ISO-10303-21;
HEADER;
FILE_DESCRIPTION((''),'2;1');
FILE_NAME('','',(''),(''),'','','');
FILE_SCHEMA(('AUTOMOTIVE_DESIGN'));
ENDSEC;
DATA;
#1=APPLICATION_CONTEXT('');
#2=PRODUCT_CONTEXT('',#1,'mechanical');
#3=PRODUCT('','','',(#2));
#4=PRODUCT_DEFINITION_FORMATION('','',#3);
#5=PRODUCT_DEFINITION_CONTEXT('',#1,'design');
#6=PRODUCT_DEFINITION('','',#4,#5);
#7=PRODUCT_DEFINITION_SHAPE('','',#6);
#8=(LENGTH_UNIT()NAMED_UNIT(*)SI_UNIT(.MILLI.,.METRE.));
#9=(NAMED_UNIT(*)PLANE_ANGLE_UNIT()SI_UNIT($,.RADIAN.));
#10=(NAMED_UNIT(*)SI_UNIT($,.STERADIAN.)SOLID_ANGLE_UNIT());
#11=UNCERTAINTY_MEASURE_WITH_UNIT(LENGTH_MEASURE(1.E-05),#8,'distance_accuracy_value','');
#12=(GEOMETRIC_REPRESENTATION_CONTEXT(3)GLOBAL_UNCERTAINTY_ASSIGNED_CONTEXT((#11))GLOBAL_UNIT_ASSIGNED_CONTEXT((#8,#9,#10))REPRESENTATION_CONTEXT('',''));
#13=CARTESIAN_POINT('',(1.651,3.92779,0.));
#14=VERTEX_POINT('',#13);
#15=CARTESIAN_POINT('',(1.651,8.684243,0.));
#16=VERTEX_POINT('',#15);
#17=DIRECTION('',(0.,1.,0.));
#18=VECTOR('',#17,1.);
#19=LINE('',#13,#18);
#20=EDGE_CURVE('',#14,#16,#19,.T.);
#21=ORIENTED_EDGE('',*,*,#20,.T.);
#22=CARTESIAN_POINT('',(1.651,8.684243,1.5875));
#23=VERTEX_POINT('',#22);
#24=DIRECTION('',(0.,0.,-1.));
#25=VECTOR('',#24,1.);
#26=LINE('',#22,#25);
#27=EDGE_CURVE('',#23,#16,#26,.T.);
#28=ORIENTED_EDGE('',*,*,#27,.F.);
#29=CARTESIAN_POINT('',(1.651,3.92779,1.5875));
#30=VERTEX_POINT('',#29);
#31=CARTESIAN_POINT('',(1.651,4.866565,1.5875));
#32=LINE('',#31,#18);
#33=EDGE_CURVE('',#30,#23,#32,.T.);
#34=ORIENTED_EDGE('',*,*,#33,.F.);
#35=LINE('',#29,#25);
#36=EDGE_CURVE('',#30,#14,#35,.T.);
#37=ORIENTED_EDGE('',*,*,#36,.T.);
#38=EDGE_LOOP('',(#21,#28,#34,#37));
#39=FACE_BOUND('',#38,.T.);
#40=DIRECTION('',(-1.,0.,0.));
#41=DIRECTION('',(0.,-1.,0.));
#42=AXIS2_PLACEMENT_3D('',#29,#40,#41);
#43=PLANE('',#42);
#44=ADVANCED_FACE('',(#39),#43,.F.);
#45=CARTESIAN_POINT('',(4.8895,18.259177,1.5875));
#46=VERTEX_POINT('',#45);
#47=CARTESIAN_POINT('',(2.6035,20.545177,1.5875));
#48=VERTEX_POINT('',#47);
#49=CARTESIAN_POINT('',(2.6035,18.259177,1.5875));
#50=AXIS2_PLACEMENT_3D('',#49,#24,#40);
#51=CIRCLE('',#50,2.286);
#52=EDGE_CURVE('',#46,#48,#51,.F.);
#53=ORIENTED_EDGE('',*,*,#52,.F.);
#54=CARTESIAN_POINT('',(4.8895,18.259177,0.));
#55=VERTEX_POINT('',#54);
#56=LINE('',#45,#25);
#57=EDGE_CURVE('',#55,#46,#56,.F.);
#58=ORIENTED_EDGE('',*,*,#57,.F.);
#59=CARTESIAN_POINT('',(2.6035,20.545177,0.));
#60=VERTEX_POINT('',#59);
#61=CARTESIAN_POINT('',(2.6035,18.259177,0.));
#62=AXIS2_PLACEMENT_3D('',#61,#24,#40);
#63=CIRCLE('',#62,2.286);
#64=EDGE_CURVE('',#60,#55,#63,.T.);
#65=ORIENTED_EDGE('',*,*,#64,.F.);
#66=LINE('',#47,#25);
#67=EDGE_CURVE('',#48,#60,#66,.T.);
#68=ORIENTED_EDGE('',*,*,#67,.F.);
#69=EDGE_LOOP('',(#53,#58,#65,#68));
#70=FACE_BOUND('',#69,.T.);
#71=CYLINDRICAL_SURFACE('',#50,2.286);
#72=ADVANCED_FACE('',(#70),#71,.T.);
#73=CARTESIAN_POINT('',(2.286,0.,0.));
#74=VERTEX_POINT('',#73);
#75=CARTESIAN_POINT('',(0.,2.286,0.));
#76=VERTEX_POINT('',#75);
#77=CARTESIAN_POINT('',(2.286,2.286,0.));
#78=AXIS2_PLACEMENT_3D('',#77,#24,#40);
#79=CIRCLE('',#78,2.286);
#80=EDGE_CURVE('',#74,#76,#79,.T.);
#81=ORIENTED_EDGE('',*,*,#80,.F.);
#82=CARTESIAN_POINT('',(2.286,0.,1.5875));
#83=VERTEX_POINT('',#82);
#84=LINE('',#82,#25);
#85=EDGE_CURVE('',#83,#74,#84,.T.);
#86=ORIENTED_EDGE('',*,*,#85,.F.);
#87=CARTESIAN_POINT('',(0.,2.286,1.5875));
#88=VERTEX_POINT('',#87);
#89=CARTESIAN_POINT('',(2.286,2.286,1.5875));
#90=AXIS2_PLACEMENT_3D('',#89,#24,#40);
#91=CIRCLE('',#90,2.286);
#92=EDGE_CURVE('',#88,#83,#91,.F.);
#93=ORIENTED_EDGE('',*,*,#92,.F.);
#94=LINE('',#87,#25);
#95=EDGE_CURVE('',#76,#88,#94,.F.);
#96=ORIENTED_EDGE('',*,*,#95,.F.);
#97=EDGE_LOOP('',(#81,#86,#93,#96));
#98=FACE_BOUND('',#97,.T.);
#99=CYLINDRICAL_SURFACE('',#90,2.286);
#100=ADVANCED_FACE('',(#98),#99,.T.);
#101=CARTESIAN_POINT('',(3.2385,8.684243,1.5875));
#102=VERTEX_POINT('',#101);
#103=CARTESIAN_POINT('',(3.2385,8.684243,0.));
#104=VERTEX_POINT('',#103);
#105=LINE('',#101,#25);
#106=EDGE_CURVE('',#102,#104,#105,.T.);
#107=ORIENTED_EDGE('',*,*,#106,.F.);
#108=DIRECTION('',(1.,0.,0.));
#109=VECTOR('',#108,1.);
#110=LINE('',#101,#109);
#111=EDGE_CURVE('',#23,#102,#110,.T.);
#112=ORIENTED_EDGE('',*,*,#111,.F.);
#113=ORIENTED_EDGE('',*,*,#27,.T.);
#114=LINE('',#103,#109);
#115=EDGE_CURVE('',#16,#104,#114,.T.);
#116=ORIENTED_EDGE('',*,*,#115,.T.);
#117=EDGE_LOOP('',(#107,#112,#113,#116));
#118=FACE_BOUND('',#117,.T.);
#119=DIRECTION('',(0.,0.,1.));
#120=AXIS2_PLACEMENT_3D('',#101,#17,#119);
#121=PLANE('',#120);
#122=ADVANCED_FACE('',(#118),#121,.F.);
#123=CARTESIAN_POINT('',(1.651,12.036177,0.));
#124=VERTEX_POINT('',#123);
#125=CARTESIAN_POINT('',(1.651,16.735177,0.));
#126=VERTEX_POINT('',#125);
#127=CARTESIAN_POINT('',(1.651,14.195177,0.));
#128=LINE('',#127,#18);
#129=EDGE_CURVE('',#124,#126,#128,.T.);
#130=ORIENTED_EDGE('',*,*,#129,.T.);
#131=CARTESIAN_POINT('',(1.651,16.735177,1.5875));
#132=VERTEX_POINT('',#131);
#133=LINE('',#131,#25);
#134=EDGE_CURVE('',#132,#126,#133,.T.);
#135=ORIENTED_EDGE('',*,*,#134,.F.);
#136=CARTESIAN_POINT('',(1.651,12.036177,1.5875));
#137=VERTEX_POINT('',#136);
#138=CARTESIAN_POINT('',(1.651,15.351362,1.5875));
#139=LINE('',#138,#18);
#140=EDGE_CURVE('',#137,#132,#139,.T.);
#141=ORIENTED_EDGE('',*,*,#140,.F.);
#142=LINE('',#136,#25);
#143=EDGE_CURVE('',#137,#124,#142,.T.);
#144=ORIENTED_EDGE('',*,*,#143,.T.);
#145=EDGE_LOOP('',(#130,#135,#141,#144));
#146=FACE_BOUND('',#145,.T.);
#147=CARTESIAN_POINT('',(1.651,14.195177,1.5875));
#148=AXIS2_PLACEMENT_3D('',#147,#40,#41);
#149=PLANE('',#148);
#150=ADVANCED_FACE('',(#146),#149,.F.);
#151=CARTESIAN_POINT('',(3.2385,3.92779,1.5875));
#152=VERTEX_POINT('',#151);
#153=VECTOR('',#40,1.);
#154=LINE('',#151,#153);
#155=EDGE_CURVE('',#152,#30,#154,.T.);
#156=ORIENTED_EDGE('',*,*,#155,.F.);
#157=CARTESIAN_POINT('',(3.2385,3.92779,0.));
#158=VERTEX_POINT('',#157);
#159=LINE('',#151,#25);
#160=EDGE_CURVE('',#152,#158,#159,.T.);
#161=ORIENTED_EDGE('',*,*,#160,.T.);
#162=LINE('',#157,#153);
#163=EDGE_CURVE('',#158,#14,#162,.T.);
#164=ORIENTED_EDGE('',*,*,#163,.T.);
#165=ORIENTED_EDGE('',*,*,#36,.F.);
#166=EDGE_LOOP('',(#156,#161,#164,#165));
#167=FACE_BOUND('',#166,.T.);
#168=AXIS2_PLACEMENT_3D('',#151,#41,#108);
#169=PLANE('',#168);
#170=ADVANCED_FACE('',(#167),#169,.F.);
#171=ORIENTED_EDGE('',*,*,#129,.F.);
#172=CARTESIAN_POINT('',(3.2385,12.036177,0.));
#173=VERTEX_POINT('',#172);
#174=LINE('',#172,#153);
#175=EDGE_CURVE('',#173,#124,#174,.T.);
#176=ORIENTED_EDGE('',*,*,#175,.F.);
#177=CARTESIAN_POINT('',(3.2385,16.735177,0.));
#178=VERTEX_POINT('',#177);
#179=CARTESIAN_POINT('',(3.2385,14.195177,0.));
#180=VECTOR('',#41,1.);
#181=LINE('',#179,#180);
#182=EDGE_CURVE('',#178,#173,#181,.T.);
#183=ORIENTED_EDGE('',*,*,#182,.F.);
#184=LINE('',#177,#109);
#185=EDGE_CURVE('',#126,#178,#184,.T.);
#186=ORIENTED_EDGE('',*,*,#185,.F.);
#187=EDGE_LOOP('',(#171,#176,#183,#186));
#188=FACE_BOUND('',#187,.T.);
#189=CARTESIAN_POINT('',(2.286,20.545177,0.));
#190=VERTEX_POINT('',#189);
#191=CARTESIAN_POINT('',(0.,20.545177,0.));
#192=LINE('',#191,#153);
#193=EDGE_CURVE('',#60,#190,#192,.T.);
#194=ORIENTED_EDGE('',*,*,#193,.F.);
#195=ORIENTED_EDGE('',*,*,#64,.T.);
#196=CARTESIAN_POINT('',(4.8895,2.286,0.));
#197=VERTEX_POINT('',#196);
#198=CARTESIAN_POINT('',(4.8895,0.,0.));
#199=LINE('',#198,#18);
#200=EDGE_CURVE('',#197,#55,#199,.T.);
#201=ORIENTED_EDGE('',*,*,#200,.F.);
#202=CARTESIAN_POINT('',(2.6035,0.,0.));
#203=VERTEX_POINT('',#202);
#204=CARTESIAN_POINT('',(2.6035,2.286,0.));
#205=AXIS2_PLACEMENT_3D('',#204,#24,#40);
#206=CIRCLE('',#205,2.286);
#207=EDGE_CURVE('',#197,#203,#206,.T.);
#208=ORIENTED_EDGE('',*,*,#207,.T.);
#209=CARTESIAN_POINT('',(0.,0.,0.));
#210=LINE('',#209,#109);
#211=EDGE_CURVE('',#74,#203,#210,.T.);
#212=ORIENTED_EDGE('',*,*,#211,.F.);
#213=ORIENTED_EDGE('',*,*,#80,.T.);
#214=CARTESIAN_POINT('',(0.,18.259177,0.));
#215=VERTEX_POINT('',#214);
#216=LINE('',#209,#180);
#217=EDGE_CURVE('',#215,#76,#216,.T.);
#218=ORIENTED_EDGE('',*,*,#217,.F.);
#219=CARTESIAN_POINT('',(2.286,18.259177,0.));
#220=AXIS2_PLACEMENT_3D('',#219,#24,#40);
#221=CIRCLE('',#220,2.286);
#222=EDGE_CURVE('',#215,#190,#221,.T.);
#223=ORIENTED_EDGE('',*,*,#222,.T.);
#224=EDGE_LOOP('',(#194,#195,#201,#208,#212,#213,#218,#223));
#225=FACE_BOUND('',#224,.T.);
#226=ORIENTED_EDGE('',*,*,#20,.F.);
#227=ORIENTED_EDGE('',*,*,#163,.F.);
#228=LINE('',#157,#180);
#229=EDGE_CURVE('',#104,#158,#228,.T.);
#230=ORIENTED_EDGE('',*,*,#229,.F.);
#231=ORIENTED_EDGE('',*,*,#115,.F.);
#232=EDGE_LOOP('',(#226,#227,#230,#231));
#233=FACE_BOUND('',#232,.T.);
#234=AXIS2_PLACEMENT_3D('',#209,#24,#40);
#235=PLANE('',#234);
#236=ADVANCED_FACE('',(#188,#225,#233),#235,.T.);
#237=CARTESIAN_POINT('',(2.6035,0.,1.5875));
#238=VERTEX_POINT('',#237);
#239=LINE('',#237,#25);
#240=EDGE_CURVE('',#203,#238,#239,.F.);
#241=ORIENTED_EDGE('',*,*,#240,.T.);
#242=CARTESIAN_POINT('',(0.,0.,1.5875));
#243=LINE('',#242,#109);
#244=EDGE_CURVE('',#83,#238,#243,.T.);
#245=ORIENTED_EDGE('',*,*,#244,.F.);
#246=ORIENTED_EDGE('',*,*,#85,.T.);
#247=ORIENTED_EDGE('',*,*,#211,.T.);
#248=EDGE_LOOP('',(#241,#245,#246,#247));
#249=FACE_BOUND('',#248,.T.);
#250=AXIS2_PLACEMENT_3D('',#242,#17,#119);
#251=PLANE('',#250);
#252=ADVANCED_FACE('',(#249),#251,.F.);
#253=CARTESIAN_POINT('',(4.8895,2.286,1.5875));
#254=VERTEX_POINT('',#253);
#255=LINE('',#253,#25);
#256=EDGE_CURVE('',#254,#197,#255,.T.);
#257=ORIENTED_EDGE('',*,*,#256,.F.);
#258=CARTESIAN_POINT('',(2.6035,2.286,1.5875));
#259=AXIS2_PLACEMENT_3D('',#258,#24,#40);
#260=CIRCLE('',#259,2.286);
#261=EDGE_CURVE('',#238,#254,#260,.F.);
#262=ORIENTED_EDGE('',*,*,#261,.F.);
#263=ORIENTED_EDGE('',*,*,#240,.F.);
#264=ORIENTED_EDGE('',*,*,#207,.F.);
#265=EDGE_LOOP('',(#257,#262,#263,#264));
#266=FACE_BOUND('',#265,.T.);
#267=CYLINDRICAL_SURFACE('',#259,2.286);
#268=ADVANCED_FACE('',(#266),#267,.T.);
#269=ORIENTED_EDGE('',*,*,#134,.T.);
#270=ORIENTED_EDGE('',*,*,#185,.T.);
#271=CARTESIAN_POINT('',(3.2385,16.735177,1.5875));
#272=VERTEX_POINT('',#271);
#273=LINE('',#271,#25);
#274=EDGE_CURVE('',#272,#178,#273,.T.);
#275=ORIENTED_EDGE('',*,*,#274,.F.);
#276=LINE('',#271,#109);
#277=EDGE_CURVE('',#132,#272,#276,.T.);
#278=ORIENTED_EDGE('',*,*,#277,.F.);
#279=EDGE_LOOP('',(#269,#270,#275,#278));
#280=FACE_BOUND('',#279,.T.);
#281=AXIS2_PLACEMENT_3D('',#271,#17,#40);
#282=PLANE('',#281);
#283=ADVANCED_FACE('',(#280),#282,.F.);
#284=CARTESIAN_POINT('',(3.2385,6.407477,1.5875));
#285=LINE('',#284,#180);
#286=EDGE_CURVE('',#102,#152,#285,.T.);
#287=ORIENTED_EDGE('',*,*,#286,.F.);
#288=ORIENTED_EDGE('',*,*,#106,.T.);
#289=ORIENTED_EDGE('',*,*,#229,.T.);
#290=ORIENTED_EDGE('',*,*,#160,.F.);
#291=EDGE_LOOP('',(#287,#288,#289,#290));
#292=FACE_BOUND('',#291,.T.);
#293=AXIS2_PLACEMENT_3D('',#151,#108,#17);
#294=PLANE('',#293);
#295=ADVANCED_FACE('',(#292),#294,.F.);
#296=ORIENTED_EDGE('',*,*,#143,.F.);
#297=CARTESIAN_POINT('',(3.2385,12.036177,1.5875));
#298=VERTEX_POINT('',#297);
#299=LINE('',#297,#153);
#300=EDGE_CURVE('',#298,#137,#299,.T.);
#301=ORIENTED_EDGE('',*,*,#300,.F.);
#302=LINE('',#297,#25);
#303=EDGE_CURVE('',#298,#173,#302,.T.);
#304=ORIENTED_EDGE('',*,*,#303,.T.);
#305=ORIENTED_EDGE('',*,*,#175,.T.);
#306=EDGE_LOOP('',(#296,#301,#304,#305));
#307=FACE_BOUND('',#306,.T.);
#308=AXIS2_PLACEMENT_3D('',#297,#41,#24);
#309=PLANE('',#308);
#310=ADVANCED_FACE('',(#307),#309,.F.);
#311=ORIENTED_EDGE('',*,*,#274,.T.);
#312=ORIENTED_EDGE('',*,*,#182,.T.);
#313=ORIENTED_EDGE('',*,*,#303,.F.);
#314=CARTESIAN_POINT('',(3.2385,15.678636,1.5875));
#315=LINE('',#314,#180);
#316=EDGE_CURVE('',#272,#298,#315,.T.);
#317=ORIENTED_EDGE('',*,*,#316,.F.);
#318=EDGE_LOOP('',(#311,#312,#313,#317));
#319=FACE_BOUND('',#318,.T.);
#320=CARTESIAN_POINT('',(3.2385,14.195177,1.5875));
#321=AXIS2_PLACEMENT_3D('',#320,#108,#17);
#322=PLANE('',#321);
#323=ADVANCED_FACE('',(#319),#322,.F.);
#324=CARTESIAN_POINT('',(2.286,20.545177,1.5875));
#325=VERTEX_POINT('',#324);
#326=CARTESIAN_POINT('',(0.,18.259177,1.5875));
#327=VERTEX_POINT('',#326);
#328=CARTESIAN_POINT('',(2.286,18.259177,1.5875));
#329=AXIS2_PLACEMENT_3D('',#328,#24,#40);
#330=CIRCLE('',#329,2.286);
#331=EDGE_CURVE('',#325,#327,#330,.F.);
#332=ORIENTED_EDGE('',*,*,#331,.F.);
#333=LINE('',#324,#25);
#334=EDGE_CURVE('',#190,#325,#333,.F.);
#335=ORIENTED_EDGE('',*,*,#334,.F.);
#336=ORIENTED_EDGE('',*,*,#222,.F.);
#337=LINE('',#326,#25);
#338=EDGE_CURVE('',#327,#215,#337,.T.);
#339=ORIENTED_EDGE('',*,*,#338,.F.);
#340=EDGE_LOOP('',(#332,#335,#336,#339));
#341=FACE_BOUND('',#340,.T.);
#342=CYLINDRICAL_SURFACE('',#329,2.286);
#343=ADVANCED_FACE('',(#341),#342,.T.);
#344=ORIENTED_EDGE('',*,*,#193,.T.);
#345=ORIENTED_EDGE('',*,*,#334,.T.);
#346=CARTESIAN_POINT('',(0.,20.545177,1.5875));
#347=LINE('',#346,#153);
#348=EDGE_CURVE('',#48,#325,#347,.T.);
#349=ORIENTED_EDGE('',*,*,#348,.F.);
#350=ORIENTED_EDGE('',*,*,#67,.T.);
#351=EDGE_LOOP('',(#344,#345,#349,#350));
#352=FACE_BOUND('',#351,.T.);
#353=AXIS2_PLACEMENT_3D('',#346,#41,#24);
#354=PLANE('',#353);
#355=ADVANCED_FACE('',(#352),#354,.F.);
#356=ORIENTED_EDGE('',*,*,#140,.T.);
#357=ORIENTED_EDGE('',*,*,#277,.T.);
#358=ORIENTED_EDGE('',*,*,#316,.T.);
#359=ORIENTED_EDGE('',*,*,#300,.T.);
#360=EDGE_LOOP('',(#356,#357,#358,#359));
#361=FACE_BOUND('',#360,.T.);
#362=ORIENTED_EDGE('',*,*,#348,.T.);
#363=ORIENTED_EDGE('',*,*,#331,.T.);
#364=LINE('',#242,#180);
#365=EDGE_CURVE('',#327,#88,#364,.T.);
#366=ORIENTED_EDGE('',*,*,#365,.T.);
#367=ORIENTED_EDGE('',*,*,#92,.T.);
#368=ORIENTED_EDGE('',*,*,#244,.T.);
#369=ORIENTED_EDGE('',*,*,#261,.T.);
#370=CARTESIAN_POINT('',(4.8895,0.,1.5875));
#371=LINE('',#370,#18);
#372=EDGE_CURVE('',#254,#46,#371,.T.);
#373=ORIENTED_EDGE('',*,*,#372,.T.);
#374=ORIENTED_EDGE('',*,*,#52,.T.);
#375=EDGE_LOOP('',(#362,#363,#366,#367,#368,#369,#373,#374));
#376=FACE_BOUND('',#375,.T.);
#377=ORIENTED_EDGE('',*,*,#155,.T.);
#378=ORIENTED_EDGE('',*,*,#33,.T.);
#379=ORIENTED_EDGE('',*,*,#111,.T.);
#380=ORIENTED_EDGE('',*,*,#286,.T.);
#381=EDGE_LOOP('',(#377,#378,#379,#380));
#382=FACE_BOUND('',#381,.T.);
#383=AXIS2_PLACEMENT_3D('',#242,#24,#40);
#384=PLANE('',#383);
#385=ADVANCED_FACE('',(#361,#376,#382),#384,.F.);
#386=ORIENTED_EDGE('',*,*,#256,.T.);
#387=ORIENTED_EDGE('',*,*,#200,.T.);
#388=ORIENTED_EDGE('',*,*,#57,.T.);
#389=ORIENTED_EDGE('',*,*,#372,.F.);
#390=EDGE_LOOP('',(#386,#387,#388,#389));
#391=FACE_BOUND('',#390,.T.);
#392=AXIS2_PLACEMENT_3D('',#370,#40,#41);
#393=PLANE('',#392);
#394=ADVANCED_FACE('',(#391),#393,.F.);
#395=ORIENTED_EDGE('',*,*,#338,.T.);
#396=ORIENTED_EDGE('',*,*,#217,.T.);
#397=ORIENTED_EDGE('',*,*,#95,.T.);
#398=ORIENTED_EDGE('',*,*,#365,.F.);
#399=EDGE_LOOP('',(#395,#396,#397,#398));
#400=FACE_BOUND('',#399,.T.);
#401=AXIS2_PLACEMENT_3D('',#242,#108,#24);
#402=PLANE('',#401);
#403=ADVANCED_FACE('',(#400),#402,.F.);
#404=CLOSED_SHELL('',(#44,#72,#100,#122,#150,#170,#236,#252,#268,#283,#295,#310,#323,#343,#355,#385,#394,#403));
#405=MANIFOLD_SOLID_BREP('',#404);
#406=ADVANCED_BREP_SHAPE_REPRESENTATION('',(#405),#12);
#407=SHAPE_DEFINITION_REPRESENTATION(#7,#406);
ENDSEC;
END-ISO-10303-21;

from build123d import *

# Parameters (mm, degrees)
SKETCH1_W           = 4.8895
SKETCH1_H           = 20.545176785
BOSS_EXTRUDE1_DEPTH = 1.5875
CUT_EXTRUDE1_DEPTH  = 22.178565948
FILLET1_R           = 2.286


with BuildPart() as part:
    # Sketch1 → Boss-Extrude1 (new body)
    with BuildSketch(Plane.XY):
        with Locations((2.44475, 10.272588393)):
            Rectangle(SKETCH1_W, SKETCH1_H)
    extrude(amount=BOSS_EXTRUDE1_DEPTH)

    # Sketch2 → Cut-Extrude1 (cut, through all)
    with BuildSketch(Plane(origin=(0, 0, 0), x_dir=(-1, 0, 0), z_dir=(0, 0, -1))):
        Polygon((-3.2385, 14.195176785), (-3.2385, 12.036176785), (-1.651, 12.036176785), (-1.651, 14.195176785), (-1.651, 15.351361919), (-1.651, 15.678636285), (-1.651, 16.735176785), (-3.2385, 16.735176785), (-3.2385, 15.678636285), (-3.2385, 15.351361919), align=None)
        Polygon((-1.651, 5.223280418), (-1.651, 6.407477123), (-1.651, 8.684242536), (-3.2385, 8.684242536), (-3.2385, 6.407477123), (-3.2385, 5.223280418), (-3.2385, 4.866564699), (-3.2385, 3.927789612), (-1.651, 3.927789612), (-1.651, 4.866564699), align=None)
    extrude(amount=-CUT_EXTRUDE1_DEPTH, mode=Mode.SUBTRACT)

    # Fillet1
    fillet1_edges = [part.edges().sort_by_distance(p)[0] for p in [
        (0, 20.545176785, 0.79375),
        (4.8895, 20.545176785, 0.79375),
        (4.8895, 0, 0.79375),
        (0, 0, 0.79375),
    ]]
    fillet(fillet1_edges, radius=FILLET1_R)


solid = part.part
